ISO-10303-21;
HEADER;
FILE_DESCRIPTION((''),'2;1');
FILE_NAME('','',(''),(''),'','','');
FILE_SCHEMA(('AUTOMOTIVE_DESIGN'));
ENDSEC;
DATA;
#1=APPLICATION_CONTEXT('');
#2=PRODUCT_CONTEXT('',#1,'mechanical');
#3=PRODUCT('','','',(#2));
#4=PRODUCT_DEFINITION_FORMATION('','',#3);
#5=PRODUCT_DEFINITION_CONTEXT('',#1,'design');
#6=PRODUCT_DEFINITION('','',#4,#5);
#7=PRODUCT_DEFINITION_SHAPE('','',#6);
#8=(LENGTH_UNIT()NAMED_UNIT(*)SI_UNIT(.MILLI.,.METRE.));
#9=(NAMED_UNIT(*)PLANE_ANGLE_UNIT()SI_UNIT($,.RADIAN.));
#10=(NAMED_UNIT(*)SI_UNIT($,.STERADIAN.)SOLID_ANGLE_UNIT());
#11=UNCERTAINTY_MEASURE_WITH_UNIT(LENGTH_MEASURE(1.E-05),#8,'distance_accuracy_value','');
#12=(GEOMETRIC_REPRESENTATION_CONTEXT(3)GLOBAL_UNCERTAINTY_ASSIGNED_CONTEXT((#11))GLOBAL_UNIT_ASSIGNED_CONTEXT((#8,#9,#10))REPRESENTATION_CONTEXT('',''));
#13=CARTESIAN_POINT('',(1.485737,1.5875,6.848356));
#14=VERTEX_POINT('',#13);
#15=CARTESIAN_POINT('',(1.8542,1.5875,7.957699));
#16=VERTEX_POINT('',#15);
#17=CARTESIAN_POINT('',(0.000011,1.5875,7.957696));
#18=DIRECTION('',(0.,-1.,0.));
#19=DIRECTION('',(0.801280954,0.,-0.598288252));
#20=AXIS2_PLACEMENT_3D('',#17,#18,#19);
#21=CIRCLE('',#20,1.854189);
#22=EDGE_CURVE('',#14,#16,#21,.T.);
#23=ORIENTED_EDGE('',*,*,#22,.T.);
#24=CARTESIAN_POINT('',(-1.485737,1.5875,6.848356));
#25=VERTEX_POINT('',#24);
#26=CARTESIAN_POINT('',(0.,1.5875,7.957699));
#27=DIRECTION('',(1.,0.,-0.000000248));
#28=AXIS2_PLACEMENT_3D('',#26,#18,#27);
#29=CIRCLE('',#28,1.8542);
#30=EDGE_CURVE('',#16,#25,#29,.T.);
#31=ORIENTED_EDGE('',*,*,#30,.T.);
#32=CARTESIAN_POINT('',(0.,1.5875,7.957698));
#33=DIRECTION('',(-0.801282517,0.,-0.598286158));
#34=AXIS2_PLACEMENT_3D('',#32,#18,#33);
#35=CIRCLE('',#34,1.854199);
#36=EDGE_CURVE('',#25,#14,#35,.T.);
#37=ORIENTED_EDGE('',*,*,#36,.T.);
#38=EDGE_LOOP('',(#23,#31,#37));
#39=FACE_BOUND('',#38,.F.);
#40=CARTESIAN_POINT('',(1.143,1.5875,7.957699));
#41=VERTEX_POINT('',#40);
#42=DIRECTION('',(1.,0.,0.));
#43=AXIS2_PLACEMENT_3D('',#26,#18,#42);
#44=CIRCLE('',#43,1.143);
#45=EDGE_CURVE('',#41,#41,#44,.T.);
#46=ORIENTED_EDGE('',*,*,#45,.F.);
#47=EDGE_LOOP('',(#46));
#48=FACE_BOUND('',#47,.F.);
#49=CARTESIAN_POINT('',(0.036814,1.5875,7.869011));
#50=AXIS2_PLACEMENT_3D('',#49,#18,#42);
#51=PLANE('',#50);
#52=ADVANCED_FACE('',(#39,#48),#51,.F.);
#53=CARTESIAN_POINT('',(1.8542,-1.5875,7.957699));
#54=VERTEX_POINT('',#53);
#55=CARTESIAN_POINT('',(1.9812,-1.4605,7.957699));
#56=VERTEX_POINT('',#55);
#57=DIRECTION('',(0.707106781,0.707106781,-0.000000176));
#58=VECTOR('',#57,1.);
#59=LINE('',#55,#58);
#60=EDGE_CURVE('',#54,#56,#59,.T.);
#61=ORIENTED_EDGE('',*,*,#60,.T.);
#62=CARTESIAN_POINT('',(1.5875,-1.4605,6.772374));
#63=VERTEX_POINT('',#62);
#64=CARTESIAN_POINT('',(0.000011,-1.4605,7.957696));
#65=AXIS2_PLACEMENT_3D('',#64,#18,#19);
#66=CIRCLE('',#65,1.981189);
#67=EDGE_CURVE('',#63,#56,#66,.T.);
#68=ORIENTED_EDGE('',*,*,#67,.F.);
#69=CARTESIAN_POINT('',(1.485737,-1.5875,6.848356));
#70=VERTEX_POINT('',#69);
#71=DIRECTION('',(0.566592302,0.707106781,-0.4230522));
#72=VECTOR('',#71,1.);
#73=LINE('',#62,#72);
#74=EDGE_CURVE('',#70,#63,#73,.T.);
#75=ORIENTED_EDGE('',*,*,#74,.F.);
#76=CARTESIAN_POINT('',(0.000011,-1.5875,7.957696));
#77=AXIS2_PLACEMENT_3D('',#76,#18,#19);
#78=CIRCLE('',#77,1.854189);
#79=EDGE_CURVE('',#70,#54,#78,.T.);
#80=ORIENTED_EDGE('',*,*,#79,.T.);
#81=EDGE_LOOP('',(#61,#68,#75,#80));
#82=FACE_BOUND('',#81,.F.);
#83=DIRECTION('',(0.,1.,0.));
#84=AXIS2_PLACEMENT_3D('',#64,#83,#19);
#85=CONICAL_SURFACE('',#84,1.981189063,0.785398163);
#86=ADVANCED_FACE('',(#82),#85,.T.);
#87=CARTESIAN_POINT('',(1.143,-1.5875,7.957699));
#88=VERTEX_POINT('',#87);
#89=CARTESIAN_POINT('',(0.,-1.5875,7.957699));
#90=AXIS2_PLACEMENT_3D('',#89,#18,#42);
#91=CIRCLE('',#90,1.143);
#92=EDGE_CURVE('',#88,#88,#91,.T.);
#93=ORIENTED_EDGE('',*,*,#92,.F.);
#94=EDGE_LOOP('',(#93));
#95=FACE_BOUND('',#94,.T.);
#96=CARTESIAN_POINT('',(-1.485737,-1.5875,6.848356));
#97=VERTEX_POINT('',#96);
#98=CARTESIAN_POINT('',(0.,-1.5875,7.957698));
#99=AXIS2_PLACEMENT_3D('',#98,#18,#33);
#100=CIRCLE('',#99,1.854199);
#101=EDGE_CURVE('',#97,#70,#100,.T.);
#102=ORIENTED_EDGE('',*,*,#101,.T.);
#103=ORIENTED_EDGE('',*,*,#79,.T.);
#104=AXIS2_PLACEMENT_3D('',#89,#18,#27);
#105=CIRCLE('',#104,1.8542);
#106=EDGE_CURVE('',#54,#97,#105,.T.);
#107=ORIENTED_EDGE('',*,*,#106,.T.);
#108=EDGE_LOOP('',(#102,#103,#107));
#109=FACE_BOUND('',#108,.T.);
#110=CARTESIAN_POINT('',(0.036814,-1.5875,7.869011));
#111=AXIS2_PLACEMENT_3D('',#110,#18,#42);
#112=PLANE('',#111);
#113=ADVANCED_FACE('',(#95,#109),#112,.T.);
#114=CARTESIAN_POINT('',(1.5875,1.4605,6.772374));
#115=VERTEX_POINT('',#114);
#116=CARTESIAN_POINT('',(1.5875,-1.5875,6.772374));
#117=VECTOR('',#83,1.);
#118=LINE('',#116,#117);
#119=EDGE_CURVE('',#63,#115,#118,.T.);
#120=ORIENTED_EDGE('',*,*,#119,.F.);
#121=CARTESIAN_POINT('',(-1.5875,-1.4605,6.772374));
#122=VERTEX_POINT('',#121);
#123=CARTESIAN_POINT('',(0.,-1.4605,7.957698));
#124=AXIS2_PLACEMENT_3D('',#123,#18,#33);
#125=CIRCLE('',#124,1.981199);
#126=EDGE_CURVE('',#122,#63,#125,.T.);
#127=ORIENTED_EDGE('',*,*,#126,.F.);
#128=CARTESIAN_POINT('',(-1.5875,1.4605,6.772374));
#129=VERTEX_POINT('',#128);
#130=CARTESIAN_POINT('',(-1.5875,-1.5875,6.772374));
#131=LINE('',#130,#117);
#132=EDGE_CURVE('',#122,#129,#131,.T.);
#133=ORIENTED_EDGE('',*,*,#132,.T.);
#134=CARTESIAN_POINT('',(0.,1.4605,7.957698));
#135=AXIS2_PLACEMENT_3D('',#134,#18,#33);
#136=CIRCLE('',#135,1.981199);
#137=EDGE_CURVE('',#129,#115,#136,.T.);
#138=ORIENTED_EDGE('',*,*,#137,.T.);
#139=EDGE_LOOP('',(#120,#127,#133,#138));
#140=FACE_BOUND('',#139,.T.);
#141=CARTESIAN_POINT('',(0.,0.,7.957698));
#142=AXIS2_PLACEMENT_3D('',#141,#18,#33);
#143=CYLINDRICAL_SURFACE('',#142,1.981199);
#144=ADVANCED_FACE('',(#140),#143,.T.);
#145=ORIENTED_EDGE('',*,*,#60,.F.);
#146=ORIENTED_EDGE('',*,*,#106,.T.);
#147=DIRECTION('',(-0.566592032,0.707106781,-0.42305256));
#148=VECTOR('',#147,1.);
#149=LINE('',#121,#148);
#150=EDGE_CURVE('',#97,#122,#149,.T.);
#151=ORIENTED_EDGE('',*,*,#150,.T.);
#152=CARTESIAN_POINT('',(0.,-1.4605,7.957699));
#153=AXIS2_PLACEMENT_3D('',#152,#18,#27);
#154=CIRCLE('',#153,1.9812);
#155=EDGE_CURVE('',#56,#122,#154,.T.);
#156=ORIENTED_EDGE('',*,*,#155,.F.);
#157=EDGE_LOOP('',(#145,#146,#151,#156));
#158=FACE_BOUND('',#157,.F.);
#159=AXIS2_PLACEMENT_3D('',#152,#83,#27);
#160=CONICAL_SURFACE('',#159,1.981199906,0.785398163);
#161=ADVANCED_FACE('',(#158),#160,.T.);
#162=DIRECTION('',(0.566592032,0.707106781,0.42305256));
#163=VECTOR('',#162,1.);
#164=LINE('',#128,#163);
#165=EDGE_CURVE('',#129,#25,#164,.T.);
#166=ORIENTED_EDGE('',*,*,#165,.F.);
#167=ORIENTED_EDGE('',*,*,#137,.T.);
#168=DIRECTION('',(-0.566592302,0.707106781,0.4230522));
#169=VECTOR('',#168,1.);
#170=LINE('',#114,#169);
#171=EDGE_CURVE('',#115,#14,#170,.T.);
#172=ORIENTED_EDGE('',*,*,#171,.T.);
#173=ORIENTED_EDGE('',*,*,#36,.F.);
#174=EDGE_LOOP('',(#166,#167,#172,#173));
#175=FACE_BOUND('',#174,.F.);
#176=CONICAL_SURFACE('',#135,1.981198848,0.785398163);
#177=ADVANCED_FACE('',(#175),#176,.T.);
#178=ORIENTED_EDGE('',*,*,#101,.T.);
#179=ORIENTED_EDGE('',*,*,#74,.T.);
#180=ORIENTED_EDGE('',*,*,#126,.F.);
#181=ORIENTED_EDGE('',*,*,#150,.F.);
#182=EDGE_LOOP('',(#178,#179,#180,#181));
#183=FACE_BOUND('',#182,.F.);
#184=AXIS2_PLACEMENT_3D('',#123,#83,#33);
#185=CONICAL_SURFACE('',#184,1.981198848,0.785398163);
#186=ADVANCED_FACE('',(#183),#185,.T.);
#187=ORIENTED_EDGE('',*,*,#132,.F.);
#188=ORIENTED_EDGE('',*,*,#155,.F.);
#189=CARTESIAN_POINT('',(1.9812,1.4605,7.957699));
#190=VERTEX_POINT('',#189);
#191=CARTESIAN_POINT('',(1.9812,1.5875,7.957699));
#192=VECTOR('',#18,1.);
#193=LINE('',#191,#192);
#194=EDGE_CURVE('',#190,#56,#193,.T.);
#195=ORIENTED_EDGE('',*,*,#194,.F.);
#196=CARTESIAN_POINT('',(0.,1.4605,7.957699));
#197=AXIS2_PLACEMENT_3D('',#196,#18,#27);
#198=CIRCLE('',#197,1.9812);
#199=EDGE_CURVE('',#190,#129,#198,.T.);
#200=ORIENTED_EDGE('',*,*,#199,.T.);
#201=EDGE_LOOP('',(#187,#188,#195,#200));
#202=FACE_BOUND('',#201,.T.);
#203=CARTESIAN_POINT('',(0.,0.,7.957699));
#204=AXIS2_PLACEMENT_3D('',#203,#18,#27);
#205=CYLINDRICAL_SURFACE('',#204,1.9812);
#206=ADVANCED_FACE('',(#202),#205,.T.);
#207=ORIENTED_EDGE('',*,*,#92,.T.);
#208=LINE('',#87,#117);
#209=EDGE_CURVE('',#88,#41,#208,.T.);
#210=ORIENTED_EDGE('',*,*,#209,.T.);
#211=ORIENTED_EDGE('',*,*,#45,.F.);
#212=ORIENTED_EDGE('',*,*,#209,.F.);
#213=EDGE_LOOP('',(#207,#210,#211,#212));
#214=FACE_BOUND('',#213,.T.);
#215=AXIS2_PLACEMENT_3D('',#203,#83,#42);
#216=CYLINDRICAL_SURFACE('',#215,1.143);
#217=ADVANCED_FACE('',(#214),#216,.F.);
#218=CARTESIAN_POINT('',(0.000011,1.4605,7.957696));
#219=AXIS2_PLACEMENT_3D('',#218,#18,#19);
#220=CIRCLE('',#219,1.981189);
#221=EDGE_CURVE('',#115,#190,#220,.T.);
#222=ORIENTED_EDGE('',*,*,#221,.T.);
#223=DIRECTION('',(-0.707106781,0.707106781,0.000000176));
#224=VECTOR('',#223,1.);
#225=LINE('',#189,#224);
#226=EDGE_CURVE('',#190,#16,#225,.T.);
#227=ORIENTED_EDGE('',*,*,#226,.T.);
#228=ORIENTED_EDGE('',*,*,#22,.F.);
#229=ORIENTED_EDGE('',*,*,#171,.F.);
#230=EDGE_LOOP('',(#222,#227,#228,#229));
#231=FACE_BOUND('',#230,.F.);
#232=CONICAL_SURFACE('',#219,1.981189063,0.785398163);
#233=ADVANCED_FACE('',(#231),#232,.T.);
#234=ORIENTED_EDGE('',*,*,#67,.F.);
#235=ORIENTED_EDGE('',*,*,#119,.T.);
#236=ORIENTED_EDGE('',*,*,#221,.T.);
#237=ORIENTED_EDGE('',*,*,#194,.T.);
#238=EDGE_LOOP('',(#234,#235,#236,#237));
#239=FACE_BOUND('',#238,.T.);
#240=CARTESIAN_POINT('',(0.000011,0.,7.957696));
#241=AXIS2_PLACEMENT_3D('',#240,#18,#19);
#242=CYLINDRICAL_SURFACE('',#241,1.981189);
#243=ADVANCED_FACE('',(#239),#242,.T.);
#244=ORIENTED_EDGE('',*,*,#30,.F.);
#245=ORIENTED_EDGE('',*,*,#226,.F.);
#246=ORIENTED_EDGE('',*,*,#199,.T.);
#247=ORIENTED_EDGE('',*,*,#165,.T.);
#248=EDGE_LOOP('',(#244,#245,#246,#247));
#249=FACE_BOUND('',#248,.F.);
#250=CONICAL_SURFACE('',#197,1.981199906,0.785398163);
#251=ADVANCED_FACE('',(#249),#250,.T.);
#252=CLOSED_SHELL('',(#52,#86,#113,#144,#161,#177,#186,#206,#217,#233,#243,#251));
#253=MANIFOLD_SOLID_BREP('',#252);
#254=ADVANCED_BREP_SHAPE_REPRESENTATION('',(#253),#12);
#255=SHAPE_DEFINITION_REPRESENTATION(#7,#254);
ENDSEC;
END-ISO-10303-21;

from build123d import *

# Parameters (mm, degrees)
F0_R     = 1.143
F1_DEPTH = 1.5875
F2_SIZE2 = 0.127
F2_SIZE  = 0.127
F3_SIZE2 = 0.127
F3_SIZE  = 0.127


with BuildPart() as f1:
    # F0 (on Front) → F1 (new body, symmetric)
    with BuildSketch(Plane.XZ):
        with BuildLine():
            ThreePointArc((1.5875, 6.772374), (1.880201, 7.3332), (1.9812, 7.957699))
            ThreePointArc((1.9812, 7.957699), (-0.624499, 9.8379), (-1.5875, 6.772374))
            ThreePointArc((-1.5875, 6.772374), (0, 5.976499), (1.5875, 6.772374))
        make_face()
        with Locations((0, 7.957699)):
            Circle(F0_R, mode=Mode.SUBTRACT)
    extrude(amount=F1_DEPTH, both=True)

    # F2
    f2_edges = [f1.edges().sort_by_distance(p)[0] for p in [
        (-0.624499, -1.5875, 9.8379),
    ]]
    chamfer(f2_edges, length=F2_SIZE, length2=F2_SIZE2)

    # F3
    f3_edges = [f1.edges().sort_by_distance(p)[0] for p in [
        (-0.624499, 1.5875, 9.8379),
    ]]
    chamfer(f3_edges, length=F3_SIZE, length2=F3_SIZE2)


solid = f1.part
